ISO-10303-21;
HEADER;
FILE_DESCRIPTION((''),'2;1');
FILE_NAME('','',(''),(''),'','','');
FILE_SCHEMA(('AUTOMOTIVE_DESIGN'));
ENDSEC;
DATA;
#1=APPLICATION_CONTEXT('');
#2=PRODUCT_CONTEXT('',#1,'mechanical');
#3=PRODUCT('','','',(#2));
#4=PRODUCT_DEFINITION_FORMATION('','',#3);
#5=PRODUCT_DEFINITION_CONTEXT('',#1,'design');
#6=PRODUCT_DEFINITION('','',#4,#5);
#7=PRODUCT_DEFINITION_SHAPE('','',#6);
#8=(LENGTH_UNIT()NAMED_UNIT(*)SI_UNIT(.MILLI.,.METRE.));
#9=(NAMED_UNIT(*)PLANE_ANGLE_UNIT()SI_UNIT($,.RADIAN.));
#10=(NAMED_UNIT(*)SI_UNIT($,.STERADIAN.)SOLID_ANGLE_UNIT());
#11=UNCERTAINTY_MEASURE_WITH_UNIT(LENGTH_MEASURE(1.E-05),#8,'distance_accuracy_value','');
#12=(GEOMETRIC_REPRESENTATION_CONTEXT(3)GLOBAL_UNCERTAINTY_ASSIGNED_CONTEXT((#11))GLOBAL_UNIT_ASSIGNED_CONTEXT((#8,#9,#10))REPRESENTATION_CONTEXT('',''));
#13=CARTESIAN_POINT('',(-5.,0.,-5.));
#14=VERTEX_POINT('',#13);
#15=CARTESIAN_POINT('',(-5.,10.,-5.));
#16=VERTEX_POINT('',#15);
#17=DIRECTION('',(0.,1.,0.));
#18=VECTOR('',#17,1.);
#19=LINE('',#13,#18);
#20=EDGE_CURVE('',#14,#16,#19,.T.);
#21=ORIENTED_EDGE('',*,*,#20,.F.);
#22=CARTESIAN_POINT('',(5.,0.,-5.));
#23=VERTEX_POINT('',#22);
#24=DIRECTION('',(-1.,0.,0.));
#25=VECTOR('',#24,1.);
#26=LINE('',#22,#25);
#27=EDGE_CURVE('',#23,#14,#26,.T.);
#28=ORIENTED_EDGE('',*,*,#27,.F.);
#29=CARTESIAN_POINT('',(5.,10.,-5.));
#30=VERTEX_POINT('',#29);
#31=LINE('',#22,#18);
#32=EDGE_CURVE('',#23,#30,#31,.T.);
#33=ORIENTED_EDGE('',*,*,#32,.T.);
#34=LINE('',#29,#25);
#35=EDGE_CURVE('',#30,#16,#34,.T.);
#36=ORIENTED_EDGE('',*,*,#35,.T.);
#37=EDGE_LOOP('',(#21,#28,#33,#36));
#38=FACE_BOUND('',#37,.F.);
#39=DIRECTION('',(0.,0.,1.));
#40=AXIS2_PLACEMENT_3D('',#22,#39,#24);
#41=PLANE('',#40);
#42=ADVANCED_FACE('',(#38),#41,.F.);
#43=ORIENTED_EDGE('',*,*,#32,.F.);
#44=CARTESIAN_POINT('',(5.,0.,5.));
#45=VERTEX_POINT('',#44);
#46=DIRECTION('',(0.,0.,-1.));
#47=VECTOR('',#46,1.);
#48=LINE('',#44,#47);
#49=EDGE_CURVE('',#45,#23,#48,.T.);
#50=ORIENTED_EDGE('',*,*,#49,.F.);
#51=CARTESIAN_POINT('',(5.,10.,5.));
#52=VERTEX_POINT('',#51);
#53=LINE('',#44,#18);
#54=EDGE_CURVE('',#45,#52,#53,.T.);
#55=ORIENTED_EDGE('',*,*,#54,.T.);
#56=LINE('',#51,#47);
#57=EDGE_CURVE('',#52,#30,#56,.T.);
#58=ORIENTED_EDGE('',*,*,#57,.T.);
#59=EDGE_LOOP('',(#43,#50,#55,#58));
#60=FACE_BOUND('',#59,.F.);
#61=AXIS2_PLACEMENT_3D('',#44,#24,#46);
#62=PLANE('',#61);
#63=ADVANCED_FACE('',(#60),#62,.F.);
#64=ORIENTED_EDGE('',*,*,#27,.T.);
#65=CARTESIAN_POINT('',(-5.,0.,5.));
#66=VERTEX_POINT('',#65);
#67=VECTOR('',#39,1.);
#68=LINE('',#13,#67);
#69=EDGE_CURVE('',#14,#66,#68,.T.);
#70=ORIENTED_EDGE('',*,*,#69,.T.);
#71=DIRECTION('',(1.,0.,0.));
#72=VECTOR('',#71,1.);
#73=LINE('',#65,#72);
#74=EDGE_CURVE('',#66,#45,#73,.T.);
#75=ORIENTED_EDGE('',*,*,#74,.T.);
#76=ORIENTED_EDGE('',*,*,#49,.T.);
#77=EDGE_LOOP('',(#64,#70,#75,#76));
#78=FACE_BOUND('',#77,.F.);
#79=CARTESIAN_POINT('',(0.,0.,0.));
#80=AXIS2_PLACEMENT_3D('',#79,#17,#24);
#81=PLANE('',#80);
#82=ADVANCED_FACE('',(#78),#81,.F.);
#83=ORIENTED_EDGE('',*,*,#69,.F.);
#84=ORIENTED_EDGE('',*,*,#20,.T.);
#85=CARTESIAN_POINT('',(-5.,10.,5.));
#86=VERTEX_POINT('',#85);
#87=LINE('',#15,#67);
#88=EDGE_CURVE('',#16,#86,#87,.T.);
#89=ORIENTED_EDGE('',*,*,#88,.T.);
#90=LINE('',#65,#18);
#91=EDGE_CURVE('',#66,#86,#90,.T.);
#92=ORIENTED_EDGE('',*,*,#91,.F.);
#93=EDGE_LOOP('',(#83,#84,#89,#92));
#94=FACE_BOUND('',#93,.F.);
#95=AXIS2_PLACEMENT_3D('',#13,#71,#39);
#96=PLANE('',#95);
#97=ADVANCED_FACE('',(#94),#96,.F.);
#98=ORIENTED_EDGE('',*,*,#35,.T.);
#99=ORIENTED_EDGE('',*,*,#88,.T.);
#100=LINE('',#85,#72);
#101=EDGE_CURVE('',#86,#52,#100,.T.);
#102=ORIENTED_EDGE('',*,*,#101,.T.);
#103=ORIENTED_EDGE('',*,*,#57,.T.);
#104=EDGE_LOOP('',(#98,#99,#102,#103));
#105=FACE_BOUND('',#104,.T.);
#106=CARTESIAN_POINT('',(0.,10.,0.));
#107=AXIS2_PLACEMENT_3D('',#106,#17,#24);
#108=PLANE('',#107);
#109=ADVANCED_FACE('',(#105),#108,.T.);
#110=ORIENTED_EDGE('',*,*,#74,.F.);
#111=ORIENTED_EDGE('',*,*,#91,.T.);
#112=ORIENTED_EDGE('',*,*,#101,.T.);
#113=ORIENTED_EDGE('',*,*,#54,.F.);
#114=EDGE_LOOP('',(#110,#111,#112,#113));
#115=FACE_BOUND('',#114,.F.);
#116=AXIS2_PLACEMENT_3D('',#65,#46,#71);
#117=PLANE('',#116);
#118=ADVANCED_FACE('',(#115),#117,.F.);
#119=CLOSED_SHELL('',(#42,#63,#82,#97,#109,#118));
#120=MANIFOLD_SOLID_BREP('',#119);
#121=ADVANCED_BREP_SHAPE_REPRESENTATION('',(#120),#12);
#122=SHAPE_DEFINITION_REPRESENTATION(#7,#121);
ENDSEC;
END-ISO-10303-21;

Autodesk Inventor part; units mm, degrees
ref_plane "YZ Plane" through (0, 0, 0) normal (1, 0, 0) x (0, 1, 0)
ref_plane "XZ Plane" through (0, 0, 0) normal (0, 1, 0) x (-1, 0, 0)
ref_plane "XY Plane" through (0, 0, 0) normal (0, 0, 1) x (1, 0, 0)
sketch "スケッチ1" plane through (0, 0, 0) normal (0, 1, 0) x (-1, 0, 0)
  line L0 (-5, -5) -> (5, -5)
  line L1 (5, -5) -> (5, 5)
  line L2 (5, 5) -> (-5, 5)
  line L3 (-5, 5) -> (-5, -5)
  line L4 (-5, -5) -> (5, 5) construction
  line L5 (5, -5) -> (-5, 5) construction
  point P0 (0, 0)
  dimension "d0" = 10
  dimension "d1" = 10
extrude "押し出し1" add sketch "スケッチ1" along normal blind 10
properties part number "cube"
